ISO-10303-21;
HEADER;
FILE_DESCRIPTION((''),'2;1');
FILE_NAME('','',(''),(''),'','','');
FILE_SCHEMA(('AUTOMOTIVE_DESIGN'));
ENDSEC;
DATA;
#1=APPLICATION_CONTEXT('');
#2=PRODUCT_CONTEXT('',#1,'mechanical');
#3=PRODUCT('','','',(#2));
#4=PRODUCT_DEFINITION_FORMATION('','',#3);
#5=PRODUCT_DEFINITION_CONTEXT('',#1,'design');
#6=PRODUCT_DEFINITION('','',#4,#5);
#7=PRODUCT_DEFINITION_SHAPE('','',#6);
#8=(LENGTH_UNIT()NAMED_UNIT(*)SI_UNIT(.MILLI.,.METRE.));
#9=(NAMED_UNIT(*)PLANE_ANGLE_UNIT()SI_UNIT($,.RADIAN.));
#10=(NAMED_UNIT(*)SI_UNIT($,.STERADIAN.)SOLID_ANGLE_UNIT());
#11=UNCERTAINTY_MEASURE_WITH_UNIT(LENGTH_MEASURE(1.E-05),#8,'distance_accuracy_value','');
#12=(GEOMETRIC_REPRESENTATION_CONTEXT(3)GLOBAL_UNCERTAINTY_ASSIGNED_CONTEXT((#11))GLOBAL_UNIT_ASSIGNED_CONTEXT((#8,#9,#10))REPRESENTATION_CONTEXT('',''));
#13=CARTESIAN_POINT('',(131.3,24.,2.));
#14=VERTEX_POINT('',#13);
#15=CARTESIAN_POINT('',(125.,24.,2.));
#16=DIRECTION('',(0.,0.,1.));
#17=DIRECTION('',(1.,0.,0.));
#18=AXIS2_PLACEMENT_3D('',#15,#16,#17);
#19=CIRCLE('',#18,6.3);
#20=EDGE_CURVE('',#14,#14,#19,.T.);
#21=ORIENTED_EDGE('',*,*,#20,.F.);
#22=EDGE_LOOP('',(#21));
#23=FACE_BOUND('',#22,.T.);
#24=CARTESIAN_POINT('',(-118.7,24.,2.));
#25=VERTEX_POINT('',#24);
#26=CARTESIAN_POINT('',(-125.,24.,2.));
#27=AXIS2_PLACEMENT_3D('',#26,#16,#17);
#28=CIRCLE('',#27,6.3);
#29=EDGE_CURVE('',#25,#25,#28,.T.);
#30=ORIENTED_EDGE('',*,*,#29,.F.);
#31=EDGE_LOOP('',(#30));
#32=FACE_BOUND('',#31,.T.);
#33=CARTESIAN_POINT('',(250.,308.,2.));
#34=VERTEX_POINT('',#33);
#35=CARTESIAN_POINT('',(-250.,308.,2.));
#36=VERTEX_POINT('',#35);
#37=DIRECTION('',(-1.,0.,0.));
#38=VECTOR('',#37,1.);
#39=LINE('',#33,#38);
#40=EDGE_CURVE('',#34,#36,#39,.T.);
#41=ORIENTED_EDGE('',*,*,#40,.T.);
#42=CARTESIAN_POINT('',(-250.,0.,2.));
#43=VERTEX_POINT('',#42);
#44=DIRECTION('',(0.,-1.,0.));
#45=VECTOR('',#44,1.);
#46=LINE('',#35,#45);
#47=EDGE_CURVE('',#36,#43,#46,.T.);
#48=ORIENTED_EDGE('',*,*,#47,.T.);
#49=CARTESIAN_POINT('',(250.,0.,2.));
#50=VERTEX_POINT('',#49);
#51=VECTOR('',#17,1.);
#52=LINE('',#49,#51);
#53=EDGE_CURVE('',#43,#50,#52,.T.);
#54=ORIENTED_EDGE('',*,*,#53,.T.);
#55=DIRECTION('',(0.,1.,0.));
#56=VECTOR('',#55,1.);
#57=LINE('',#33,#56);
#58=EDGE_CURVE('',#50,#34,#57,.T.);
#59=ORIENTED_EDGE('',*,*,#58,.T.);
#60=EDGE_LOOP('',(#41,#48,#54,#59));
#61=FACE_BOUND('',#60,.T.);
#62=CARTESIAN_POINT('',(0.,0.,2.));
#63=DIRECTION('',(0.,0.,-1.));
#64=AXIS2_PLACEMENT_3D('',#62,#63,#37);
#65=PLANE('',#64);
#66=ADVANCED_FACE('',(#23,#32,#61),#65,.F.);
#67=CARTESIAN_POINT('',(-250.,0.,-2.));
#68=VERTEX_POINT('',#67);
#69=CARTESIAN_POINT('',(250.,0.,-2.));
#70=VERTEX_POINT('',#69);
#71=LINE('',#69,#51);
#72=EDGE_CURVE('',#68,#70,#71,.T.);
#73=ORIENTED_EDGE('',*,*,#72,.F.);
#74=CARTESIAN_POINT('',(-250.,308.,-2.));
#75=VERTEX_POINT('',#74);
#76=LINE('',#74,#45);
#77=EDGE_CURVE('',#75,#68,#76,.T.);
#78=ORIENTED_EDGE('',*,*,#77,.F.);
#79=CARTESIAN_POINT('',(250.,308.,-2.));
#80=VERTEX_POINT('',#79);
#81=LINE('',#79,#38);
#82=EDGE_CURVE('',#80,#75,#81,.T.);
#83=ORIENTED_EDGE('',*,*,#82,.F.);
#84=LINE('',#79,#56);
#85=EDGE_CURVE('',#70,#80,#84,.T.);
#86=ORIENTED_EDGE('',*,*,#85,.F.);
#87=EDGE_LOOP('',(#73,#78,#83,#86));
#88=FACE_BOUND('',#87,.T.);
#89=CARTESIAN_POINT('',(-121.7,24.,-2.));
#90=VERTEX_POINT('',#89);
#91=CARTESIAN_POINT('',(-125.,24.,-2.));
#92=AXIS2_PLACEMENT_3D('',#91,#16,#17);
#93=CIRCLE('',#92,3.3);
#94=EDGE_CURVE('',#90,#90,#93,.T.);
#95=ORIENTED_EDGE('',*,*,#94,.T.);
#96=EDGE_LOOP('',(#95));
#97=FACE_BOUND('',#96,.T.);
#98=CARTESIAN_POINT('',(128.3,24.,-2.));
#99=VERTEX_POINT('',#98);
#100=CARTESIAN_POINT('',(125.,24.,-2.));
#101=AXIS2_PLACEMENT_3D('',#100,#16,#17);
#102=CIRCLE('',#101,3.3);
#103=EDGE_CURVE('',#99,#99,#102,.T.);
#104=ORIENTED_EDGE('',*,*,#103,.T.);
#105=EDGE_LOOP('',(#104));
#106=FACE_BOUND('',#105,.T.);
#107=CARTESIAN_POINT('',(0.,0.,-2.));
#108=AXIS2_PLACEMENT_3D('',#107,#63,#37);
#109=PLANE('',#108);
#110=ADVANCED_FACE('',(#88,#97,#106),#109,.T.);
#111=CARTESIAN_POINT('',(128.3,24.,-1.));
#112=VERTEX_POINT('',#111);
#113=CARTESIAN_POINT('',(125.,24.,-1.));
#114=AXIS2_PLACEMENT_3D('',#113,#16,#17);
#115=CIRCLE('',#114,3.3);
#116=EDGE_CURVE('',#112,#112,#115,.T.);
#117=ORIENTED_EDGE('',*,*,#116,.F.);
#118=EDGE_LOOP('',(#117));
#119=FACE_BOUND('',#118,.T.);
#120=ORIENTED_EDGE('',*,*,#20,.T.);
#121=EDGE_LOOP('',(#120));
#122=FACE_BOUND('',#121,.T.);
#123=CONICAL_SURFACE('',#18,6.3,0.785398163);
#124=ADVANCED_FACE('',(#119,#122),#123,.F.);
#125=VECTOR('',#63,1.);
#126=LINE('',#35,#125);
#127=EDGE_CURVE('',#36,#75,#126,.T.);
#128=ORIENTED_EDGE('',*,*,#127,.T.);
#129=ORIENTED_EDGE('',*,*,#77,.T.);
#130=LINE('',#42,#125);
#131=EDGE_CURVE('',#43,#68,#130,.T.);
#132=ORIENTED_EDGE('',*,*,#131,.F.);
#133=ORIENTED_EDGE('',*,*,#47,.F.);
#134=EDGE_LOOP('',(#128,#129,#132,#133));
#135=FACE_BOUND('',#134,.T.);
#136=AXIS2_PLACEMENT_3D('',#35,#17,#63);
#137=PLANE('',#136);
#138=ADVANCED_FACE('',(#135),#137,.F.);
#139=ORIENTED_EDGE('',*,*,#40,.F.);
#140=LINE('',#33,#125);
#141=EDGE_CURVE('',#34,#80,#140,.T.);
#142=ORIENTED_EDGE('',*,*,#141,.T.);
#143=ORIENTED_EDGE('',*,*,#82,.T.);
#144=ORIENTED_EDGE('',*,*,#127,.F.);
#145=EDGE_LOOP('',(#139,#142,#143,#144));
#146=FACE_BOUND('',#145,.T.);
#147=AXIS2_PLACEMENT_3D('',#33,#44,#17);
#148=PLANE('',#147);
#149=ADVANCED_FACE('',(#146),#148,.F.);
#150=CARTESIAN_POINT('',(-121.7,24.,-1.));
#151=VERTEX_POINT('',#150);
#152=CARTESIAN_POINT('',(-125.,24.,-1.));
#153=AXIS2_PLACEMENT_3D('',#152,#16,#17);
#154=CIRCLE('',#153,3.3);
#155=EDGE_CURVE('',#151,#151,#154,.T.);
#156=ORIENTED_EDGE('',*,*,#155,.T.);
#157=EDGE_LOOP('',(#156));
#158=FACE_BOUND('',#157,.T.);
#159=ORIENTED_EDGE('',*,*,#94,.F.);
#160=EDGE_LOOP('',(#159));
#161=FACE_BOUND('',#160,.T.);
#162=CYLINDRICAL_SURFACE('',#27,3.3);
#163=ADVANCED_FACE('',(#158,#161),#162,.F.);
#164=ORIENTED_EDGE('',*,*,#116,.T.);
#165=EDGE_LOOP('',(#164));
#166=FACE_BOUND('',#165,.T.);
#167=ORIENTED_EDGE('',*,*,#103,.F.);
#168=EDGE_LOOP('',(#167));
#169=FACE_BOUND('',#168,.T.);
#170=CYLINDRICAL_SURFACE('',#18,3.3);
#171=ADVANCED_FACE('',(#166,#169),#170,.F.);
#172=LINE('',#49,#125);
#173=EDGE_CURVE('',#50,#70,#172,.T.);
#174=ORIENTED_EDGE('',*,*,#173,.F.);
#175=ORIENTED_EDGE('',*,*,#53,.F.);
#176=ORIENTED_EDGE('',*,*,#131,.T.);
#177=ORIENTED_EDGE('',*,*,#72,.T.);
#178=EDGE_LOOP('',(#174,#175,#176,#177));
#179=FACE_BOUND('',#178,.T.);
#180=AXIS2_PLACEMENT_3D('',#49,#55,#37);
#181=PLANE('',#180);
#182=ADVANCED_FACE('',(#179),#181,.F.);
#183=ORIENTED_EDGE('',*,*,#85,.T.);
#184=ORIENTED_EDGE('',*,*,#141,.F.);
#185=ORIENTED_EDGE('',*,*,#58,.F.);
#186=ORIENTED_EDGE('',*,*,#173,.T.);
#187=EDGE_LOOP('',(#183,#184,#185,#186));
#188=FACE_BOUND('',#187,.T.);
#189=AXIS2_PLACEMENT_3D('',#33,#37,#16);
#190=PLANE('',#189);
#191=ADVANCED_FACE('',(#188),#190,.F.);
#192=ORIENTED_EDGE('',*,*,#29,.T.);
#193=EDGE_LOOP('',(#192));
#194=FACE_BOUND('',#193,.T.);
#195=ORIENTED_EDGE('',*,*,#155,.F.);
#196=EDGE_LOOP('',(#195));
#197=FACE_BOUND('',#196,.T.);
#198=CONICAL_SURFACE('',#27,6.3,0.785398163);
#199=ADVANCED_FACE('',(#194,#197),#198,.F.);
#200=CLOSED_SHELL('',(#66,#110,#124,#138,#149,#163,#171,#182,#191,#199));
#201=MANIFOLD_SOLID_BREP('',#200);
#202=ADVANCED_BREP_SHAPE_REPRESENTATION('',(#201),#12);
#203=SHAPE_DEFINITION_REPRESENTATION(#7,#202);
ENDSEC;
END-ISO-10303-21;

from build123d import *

# Parameters (mm, degrees)
SKETCH1_W                                    = 500
SKETCH1_H                                    = 308
BOSS_EXTRUDE1_DEPTH                          = 2
CSK_FOR_M6_COUNTERSUNK_FLAT_HEAD_SCR_2_COUNT = 2
CSK_FOR_M6_COUNTERSUNK_FLAT_HEAD_SCR_2_PITCH = 250


with BuildPart() as part:
    # Sketch1 → Boss-Extrude1 (new, symmetric)
    with BuildSketch(Plane.XY):
        with Locations((0, 154)):
            Rectangle(SKETCH1_W, SKETCH1_H)
    extrude(amount=BOSS_EXTRUDE1_DEPTH, both=True)

    # Sketch6 → CSK for M6 Countersunk Flat Head Screw2 (revolve, cut)
    with BuildSketch(Plane(origin=(-125, 24, 2), x_dir=(0, -1, 0), z_dir=(1, 0, 0))):
        Polygon((0, 0), (0, 4), (3.3, 4), (3.3, 3), (6.3, 0), align=None)
    csk_for_m6_countersunk_flat_head_screw2 = revolve(axis=Axis((-125, 24, 8.35), (0, 0, -1)), mode=Mode.SUBTRACT)

    # CSK for M6 Countersunk Flat Head Scr 2: CSK for M6 Countersunk Flat Head Screw2 ×2
    with Locations(*[(i * CSK_FOR_M6_COUNTERSUNK_FLAT_HEAD_SCR_2_PITCH, 0, 0) for i in range(1, CSK_FOR_M6_COUNTERSUNK_FLAT_HEAD_SCR_2_COUNT)]):
        add(csk_for_m6_countersunk_flat_head_screw2, mode=Mode.SUBTRACT)


solid = part.part
